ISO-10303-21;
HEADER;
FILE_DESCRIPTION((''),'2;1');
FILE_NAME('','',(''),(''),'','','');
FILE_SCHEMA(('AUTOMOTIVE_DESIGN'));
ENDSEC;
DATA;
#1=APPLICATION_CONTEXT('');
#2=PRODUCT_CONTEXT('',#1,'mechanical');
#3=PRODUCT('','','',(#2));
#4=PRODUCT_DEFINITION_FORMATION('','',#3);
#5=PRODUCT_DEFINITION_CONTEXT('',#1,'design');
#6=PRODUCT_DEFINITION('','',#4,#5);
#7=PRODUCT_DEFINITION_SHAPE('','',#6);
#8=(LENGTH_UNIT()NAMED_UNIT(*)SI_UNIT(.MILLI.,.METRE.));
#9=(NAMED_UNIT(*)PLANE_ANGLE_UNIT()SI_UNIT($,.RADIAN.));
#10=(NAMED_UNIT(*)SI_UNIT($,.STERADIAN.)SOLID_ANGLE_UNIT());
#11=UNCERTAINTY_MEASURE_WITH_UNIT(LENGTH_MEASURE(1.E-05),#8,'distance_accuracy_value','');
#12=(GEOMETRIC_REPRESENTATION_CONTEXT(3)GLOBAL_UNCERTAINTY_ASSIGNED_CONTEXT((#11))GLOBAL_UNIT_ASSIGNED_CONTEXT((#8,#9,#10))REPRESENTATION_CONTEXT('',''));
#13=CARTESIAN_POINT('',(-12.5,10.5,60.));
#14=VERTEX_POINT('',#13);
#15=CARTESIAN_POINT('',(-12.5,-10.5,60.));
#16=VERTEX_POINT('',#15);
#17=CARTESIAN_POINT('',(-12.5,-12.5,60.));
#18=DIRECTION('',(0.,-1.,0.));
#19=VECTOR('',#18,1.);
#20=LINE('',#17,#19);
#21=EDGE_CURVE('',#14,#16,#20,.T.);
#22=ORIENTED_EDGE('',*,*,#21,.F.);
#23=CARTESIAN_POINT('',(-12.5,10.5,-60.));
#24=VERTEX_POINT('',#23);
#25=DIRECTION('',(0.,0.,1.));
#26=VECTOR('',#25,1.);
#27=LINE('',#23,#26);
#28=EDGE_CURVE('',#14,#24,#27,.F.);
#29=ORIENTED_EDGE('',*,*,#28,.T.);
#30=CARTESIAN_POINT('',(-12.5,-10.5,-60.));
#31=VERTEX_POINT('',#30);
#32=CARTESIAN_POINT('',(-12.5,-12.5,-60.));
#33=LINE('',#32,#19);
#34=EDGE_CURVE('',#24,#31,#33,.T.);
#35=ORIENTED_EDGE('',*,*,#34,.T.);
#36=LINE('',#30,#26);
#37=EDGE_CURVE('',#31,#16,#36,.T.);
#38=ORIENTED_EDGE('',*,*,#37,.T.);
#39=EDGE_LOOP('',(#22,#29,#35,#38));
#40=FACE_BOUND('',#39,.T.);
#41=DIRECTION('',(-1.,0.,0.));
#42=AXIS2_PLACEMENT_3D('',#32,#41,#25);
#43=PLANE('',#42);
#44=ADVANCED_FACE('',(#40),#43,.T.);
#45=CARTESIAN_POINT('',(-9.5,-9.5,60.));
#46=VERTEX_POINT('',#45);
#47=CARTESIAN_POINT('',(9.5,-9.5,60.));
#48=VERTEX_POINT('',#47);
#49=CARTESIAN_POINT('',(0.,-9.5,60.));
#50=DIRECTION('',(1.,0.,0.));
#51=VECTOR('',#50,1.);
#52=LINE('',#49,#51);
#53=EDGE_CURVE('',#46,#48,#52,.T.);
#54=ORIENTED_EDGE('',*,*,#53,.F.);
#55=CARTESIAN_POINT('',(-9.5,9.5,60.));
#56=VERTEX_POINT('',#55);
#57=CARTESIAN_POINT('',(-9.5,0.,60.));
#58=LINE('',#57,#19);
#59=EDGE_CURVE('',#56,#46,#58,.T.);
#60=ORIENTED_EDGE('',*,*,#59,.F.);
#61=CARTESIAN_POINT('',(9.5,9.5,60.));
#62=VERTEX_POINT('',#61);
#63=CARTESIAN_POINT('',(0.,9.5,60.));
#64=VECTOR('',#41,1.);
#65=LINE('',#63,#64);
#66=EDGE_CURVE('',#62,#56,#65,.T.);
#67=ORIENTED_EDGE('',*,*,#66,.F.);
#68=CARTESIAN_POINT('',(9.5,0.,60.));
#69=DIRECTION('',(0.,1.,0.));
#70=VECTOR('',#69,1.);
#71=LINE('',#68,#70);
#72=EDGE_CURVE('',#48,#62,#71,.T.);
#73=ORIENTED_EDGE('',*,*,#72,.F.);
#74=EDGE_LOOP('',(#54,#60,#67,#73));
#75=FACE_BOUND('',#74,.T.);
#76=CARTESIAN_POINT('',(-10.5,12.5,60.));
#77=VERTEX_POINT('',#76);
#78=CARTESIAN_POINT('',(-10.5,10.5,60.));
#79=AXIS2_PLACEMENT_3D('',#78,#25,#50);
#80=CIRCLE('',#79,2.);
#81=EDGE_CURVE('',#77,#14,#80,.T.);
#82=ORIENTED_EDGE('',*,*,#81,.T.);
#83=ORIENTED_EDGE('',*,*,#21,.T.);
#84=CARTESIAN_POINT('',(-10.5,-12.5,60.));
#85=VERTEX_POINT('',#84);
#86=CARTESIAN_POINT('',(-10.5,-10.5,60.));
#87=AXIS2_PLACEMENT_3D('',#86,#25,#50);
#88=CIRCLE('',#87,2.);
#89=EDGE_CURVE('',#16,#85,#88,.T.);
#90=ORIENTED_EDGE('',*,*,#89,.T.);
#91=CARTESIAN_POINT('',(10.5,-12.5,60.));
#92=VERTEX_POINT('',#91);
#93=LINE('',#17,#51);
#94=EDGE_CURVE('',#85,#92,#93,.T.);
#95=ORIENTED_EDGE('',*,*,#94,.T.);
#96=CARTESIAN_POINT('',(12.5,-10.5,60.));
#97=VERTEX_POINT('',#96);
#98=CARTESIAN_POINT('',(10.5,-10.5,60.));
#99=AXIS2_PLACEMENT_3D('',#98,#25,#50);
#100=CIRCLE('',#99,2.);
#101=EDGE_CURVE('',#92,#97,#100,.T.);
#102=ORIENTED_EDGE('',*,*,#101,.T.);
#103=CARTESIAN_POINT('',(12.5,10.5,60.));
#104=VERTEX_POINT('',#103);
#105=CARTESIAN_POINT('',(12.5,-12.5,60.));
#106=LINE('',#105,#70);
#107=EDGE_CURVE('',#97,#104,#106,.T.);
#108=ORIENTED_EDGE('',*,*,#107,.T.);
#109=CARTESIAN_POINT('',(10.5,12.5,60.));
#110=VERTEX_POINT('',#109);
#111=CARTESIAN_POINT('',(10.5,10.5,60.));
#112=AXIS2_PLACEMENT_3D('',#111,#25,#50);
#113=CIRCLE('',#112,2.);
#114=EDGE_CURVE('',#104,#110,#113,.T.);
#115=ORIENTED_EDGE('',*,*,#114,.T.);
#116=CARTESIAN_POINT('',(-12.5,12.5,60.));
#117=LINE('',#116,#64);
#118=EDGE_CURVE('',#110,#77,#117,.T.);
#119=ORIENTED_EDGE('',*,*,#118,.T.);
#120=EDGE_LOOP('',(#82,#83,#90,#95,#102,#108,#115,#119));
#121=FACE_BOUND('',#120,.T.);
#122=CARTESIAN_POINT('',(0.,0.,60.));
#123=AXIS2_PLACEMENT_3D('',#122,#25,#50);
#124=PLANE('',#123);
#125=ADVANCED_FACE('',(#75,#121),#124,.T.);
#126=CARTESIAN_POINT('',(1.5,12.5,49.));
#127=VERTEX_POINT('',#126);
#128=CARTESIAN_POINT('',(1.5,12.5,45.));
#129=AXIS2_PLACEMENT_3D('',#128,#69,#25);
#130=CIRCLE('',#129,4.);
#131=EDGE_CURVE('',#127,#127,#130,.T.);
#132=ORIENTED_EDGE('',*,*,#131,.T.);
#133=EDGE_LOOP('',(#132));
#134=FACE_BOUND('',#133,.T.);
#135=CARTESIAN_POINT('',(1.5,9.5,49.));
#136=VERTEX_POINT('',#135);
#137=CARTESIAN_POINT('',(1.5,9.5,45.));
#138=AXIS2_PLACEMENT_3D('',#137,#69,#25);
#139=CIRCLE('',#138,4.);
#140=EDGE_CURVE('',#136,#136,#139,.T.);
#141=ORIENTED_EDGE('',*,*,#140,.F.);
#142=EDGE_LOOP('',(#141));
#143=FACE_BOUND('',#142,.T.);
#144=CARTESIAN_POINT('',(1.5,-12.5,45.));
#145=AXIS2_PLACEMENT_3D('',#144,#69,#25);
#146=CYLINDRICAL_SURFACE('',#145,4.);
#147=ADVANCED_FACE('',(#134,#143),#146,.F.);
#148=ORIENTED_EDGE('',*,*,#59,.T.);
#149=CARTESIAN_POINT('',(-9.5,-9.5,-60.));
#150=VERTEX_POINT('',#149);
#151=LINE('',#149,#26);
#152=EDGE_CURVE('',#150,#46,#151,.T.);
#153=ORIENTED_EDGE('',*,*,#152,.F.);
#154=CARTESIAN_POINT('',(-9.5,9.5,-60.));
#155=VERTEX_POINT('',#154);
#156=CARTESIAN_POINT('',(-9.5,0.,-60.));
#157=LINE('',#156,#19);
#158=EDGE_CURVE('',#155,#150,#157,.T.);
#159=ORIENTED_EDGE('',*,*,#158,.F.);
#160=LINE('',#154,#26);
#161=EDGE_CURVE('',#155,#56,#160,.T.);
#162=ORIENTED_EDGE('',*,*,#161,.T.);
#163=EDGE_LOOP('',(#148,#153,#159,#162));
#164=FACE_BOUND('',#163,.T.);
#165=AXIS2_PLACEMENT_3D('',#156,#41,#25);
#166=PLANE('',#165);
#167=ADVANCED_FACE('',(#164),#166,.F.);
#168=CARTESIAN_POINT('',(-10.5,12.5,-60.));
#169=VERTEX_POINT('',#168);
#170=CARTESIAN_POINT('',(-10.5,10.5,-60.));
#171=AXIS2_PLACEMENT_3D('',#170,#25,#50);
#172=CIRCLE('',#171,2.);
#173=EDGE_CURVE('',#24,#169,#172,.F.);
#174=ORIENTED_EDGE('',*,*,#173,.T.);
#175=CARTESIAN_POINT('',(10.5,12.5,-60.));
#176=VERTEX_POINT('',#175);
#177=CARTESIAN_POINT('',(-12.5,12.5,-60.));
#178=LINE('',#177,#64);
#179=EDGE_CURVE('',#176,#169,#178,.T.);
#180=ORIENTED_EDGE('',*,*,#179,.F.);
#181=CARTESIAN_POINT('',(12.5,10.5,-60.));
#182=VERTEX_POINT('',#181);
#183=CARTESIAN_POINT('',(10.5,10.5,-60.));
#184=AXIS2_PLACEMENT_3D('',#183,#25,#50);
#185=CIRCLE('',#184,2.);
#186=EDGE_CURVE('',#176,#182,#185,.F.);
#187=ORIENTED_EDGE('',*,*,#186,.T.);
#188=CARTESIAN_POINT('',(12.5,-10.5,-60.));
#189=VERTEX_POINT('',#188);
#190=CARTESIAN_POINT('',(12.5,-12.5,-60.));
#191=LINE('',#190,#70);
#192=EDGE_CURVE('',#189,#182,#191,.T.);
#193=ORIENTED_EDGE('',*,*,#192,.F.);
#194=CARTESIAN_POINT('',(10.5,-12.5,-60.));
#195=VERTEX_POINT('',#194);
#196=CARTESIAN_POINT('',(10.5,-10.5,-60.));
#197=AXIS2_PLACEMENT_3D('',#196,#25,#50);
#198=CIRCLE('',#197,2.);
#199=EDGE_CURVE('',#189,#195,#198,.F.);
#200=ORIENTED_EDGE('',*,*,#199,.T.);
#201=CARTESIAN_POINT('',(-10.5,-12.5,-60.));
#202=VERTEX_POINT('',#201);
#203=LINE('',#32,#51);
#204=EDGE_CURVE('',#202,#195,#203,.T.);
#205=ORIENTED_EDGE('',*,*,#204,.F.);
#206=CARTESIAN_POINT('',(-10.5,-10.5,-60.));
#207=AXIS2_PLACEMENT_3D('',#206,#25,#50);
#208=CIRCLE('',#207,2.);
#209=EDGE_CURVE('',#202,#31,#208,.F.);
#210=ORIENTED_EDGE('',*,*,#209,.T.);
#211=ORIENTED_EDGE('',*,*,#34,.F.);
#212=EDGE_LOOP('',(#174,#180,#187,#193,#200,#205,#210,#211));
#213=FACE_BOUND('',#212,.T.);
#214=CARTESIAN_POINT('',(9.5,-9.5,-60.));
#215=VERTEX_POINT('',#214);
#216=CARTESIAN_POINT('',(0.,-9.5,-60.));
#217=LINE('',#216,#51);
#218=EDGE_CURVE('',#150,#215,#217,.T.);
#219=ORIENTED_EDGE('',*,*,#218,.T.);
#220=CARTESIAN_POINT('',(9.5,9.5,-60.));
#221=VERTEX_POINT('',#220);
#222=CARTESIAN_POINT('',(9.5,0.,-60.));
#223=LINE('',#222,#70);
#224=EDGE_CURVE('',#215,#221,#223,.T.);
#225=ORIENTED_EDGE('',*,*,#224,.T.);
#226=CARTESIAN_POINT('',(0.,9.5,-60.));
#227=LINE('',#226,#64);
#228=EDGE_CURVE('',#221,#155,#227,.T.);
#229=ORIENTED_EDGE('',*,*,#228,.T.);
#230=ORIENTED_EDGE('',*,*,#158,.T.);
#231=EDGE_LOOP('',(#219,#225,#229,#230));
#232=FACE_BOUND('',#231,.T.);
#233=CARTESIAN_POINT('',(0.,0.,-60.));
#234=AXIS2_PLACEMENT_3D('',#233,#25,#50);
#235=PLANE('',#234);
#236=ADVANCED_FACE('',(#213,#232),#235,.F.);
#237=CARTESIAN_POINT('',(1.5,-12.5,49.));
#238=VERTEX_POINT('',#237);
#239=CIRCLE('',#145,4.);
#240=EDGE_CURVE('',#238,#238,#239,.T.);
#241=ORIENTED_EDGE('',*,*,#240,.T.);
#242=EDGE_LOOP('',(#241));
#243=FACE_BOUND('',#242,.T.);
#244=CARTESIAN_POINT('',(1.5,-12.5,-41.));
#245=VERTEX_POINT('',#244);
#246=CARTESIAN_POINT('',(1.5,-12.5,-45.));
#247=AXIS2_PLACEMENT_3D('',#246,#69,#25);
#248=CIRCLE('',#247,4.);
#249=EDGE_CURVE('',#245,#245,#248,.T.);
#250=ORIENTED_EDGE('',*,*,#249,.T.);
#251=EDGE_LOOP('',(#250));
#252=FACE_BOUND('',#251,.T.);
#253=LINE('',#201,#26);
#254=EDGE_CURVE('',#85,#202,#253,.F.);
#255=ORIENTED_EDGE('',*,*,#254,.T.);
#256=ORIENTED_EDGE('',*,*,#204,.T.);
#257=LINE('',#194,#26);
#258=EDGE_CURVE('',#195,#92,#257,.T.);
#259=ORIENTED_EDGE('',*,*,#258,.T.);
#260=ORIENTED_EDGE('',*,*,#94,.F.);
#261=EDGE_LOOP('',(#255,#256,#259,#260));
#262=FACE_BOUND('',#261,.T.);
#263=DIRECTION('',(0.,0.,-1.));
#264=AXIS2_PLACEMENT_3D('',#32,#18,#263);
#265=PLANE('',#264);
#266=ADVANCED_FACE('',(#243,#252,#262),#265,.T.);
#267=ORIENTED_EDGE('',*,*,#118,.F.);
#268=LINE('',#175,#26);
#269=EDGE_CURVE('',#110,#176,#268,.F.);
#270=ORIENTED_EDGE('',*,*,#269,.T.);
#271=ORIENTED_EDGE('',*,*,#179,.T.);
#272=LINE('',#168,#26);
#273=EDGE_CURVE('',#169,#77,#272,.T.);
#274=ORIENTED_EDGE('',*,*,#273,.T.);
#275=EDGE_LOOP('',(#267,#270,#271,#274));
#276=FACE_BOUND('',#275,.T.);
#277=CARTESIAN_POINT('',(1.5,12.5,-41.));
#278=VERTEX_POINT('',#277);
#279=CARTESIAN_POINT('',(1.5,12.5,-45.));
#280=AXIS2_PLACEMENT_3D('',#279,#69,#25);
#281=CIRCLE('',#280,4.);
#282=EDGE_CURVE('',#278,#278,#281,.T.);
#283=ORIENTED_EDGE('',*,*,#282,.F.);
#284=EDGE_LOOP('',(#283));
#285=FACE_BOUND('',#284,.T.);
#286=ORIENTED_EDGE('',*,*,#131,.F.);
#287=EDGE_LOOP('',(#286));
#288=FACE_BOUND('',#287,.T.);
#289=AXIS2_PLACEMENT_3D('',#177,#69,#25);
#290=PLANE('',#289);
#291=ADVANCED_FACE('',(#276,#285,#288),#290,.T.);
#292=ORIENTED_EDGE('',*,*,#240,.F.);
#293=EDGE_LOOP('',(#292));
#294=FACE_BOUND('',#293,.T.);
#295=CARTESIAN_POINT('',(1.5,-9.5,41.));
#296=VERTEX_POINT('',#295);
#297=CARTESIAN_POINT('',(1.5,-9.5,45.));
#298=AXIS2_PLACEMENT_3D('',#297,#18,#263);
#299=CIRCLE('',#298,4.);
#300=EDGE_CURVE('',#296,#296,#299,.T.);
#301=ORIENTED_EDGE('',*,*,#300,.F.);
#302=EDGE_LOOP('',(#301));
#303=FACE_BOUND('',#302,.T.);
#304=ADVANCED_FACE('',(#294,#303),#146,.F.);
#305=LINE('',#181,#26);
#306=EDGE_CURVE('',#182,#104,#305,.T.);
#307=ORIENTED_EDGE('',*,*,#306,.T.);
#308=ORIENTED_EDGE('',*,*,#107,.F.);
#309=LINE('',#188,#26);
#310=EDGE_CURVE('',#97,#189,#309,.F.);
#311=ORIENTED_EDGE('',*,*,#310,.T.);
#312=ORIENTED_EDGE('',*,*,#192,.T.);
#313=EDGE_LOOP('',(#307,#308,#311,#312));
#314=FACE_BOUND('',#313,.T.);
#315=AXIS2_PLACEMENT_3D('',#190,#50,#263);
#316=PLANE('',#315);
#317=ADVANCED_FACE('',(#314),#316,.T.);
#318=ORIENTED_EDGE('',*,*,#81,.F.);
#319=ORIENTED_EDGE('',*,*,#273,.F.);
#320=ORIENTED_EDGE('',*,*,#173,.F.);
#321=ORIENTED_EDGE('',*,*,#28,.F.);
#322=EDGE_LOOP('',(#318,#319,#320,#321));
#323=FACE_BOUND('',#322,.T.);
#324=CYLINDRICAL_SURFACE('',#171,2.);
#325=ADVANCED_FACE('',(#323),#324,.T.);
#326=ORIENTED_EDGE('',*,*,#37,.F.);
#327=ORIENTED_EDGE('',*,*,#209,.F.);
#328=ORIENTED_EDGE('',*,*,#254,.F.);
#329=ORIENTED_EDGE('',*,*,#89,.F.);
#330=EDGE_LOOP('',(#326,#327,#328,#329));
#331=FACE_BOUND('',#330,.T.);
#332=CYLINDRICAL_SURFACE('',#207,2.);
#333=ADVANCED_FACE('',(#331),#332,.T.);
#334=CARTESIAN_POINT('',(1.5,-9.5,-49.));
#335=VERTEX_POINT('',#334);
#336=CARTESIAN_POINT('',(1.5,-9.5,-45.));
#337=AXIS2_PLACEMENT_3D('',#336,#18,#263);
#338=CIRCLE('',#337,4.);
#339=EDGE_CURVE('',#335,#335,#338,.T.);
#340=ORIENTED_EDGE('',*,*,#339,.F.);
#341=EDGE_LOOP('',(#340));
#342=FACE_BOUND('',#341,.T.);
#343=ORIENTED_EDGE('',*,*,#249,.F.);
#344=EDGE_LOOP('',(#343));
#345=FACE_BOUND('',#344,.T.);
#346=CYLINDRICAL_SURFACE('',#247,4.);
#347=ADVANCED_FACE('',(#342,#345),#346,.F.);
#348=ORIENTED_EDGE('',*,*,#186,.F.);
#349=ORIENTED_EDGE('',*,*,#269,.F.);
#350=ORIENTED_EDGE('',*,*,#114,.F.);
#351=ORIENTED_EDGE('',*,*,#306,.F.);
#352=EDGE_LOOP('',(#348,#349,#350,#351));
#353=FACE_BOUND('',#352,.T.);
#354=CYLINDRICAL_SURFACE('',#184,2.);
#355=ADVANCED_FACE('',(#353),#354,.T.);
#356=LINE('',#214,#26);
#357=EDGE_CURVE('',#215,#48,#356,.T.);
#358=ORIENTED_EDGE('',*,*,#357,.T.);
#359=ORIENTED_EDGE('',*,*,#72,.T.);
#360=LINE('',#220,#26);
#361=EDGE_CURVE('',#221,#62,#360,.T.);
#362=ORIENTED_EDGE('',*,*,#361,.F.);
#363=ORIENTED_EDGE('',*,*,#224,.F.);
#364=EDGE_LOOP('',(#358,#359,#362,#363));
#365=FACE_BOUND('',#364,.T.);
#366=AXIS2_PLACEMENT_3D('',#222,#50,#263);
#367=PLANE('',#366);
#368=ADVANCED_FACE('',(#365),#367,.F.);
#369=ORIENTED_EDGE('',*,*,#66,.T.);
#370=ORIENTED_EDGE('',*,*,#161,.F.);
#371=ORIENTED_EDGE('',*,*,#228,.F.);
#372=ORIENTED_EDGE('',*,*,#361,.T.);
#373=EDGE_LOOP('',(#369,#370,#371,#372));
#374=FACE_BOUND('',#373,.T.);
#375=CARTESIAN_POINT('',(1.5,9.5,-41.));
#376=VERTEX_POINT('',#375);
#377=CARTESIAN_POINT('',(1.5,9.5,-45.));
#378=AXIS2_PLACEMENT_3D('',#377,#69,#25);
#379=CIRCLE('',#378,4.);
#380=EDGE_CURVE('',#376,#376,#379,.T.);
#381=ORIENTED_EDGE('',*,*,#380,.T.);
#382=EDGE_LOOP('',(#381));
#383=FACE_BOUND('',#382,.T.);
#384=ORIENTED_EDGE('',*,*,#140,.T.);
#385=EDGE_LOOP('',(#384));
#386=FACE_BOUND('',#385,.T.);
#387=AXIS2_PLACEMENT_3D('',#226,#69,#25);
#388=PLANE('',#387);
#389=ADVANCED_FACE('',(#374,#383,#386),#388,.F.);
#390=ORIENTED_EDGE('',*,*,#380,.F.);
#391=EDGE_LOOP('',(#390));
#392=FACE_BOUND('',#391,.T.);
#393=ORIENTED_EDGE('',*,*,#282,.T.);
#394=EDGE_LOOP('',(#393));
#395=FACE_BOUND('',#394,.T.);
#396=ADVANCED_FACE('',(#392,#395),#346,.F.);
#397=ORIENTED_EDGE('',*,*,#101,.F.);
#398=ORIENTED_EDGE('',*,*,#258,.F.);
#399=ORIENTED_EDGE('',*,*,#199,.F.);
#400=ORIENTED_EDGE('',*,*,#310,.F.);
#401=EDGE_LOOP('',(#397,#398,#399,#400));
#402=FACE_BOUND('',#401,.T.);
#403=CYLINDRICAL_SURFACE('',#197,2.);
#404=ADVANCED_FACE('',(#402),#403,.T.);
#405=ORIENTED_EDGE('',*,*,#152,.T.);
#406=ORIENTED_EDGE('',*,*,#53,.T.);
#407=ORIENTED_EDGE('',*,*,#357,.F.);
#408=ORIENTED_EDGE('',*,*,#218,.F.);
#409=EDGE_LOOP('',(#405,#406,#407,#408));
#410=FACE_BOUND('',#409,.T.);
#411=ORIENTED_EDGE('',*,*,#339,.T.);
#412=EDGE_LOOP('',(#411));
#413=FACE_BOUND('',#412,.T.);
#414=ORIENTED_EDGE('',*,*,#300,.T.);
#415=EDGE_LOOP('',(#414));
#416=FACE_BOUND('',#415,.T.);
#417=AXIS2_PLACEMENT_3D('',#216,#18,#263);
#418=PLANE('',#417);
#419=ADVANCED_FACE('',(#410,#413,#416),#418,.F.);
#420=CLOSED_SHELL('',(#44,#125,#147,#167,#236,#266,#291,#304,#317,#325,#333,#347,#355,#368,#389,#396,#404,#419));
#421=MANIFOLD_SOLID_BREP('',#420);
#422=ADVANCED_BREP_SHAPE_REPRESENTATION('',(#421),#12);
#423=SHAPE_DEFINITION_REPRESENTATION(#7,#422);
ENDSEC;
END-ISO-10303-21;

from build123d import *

# Parameters (mm, degrees)
EXTRUDE_THIN1_DEPTH      = 60
EXTRUDE_THIN1_DEPTH_BACK = 60
SKETCH1_W                = 25
SKETCH1_H                = 25
SKETCH1_W_2              = 19
SKETCH1_H_2              = 19
FILLET1_R                = 2
SKETCH3_R                = 4
CUT_EXTRUDE2_DEPTH       = 67.191011474


with BuildPart() as part:
    # Sketch1 → Extrude-Thin1 (new, two sides: drawn at the far end of the back side and taken through both)
    with BuildSketch(Plane.XY.offset(-EXTRUDE_THIN1_DEPTH_BACK)):
        Rectangle(SKETCH1_W, SKETCH1_H)
        Rectangle(SKETCH1_W_2, SKETCH1_H_2, mode=Mode.SUBTRACT)
    extrude(amount=EXTRUDE_THIN1_DEPTH + EXTRUDE_THIN1_DEPTH_BACK)

    # Fillet1
    fillet1_edges = [part.edges().sort_by_distance(p)[0] for p in [
        (12.5, -12.5, 0),
        (-12.5, -12.5, 0),
        (-12.5, 12.5, 0),
        (12.5, 12.5, 0),
    ]]
    fillet(fillet1_edges, radius=FILLET1_R)

    # Sketch3 → Cut-Extrude2 (cut, through all)
    with BuildSketch(Plane(origin=(0, 12.5, 0), x_dir=(1, 0, 0), z_dir=(0, 1, 0))):
        with Locations(Location((1.5, -45, 0), (0, 0, 270))):
            Circle(SKETCH3_R)
        with Locations(Location((1.5, 45, 0), (0, 0, 270))):
            Circle(SKETCH3_R)
    extrude(amount=-CUT_EXTRUDE2_DEPTH, mode=Mode.SUBTRACT)


solid = part.part
